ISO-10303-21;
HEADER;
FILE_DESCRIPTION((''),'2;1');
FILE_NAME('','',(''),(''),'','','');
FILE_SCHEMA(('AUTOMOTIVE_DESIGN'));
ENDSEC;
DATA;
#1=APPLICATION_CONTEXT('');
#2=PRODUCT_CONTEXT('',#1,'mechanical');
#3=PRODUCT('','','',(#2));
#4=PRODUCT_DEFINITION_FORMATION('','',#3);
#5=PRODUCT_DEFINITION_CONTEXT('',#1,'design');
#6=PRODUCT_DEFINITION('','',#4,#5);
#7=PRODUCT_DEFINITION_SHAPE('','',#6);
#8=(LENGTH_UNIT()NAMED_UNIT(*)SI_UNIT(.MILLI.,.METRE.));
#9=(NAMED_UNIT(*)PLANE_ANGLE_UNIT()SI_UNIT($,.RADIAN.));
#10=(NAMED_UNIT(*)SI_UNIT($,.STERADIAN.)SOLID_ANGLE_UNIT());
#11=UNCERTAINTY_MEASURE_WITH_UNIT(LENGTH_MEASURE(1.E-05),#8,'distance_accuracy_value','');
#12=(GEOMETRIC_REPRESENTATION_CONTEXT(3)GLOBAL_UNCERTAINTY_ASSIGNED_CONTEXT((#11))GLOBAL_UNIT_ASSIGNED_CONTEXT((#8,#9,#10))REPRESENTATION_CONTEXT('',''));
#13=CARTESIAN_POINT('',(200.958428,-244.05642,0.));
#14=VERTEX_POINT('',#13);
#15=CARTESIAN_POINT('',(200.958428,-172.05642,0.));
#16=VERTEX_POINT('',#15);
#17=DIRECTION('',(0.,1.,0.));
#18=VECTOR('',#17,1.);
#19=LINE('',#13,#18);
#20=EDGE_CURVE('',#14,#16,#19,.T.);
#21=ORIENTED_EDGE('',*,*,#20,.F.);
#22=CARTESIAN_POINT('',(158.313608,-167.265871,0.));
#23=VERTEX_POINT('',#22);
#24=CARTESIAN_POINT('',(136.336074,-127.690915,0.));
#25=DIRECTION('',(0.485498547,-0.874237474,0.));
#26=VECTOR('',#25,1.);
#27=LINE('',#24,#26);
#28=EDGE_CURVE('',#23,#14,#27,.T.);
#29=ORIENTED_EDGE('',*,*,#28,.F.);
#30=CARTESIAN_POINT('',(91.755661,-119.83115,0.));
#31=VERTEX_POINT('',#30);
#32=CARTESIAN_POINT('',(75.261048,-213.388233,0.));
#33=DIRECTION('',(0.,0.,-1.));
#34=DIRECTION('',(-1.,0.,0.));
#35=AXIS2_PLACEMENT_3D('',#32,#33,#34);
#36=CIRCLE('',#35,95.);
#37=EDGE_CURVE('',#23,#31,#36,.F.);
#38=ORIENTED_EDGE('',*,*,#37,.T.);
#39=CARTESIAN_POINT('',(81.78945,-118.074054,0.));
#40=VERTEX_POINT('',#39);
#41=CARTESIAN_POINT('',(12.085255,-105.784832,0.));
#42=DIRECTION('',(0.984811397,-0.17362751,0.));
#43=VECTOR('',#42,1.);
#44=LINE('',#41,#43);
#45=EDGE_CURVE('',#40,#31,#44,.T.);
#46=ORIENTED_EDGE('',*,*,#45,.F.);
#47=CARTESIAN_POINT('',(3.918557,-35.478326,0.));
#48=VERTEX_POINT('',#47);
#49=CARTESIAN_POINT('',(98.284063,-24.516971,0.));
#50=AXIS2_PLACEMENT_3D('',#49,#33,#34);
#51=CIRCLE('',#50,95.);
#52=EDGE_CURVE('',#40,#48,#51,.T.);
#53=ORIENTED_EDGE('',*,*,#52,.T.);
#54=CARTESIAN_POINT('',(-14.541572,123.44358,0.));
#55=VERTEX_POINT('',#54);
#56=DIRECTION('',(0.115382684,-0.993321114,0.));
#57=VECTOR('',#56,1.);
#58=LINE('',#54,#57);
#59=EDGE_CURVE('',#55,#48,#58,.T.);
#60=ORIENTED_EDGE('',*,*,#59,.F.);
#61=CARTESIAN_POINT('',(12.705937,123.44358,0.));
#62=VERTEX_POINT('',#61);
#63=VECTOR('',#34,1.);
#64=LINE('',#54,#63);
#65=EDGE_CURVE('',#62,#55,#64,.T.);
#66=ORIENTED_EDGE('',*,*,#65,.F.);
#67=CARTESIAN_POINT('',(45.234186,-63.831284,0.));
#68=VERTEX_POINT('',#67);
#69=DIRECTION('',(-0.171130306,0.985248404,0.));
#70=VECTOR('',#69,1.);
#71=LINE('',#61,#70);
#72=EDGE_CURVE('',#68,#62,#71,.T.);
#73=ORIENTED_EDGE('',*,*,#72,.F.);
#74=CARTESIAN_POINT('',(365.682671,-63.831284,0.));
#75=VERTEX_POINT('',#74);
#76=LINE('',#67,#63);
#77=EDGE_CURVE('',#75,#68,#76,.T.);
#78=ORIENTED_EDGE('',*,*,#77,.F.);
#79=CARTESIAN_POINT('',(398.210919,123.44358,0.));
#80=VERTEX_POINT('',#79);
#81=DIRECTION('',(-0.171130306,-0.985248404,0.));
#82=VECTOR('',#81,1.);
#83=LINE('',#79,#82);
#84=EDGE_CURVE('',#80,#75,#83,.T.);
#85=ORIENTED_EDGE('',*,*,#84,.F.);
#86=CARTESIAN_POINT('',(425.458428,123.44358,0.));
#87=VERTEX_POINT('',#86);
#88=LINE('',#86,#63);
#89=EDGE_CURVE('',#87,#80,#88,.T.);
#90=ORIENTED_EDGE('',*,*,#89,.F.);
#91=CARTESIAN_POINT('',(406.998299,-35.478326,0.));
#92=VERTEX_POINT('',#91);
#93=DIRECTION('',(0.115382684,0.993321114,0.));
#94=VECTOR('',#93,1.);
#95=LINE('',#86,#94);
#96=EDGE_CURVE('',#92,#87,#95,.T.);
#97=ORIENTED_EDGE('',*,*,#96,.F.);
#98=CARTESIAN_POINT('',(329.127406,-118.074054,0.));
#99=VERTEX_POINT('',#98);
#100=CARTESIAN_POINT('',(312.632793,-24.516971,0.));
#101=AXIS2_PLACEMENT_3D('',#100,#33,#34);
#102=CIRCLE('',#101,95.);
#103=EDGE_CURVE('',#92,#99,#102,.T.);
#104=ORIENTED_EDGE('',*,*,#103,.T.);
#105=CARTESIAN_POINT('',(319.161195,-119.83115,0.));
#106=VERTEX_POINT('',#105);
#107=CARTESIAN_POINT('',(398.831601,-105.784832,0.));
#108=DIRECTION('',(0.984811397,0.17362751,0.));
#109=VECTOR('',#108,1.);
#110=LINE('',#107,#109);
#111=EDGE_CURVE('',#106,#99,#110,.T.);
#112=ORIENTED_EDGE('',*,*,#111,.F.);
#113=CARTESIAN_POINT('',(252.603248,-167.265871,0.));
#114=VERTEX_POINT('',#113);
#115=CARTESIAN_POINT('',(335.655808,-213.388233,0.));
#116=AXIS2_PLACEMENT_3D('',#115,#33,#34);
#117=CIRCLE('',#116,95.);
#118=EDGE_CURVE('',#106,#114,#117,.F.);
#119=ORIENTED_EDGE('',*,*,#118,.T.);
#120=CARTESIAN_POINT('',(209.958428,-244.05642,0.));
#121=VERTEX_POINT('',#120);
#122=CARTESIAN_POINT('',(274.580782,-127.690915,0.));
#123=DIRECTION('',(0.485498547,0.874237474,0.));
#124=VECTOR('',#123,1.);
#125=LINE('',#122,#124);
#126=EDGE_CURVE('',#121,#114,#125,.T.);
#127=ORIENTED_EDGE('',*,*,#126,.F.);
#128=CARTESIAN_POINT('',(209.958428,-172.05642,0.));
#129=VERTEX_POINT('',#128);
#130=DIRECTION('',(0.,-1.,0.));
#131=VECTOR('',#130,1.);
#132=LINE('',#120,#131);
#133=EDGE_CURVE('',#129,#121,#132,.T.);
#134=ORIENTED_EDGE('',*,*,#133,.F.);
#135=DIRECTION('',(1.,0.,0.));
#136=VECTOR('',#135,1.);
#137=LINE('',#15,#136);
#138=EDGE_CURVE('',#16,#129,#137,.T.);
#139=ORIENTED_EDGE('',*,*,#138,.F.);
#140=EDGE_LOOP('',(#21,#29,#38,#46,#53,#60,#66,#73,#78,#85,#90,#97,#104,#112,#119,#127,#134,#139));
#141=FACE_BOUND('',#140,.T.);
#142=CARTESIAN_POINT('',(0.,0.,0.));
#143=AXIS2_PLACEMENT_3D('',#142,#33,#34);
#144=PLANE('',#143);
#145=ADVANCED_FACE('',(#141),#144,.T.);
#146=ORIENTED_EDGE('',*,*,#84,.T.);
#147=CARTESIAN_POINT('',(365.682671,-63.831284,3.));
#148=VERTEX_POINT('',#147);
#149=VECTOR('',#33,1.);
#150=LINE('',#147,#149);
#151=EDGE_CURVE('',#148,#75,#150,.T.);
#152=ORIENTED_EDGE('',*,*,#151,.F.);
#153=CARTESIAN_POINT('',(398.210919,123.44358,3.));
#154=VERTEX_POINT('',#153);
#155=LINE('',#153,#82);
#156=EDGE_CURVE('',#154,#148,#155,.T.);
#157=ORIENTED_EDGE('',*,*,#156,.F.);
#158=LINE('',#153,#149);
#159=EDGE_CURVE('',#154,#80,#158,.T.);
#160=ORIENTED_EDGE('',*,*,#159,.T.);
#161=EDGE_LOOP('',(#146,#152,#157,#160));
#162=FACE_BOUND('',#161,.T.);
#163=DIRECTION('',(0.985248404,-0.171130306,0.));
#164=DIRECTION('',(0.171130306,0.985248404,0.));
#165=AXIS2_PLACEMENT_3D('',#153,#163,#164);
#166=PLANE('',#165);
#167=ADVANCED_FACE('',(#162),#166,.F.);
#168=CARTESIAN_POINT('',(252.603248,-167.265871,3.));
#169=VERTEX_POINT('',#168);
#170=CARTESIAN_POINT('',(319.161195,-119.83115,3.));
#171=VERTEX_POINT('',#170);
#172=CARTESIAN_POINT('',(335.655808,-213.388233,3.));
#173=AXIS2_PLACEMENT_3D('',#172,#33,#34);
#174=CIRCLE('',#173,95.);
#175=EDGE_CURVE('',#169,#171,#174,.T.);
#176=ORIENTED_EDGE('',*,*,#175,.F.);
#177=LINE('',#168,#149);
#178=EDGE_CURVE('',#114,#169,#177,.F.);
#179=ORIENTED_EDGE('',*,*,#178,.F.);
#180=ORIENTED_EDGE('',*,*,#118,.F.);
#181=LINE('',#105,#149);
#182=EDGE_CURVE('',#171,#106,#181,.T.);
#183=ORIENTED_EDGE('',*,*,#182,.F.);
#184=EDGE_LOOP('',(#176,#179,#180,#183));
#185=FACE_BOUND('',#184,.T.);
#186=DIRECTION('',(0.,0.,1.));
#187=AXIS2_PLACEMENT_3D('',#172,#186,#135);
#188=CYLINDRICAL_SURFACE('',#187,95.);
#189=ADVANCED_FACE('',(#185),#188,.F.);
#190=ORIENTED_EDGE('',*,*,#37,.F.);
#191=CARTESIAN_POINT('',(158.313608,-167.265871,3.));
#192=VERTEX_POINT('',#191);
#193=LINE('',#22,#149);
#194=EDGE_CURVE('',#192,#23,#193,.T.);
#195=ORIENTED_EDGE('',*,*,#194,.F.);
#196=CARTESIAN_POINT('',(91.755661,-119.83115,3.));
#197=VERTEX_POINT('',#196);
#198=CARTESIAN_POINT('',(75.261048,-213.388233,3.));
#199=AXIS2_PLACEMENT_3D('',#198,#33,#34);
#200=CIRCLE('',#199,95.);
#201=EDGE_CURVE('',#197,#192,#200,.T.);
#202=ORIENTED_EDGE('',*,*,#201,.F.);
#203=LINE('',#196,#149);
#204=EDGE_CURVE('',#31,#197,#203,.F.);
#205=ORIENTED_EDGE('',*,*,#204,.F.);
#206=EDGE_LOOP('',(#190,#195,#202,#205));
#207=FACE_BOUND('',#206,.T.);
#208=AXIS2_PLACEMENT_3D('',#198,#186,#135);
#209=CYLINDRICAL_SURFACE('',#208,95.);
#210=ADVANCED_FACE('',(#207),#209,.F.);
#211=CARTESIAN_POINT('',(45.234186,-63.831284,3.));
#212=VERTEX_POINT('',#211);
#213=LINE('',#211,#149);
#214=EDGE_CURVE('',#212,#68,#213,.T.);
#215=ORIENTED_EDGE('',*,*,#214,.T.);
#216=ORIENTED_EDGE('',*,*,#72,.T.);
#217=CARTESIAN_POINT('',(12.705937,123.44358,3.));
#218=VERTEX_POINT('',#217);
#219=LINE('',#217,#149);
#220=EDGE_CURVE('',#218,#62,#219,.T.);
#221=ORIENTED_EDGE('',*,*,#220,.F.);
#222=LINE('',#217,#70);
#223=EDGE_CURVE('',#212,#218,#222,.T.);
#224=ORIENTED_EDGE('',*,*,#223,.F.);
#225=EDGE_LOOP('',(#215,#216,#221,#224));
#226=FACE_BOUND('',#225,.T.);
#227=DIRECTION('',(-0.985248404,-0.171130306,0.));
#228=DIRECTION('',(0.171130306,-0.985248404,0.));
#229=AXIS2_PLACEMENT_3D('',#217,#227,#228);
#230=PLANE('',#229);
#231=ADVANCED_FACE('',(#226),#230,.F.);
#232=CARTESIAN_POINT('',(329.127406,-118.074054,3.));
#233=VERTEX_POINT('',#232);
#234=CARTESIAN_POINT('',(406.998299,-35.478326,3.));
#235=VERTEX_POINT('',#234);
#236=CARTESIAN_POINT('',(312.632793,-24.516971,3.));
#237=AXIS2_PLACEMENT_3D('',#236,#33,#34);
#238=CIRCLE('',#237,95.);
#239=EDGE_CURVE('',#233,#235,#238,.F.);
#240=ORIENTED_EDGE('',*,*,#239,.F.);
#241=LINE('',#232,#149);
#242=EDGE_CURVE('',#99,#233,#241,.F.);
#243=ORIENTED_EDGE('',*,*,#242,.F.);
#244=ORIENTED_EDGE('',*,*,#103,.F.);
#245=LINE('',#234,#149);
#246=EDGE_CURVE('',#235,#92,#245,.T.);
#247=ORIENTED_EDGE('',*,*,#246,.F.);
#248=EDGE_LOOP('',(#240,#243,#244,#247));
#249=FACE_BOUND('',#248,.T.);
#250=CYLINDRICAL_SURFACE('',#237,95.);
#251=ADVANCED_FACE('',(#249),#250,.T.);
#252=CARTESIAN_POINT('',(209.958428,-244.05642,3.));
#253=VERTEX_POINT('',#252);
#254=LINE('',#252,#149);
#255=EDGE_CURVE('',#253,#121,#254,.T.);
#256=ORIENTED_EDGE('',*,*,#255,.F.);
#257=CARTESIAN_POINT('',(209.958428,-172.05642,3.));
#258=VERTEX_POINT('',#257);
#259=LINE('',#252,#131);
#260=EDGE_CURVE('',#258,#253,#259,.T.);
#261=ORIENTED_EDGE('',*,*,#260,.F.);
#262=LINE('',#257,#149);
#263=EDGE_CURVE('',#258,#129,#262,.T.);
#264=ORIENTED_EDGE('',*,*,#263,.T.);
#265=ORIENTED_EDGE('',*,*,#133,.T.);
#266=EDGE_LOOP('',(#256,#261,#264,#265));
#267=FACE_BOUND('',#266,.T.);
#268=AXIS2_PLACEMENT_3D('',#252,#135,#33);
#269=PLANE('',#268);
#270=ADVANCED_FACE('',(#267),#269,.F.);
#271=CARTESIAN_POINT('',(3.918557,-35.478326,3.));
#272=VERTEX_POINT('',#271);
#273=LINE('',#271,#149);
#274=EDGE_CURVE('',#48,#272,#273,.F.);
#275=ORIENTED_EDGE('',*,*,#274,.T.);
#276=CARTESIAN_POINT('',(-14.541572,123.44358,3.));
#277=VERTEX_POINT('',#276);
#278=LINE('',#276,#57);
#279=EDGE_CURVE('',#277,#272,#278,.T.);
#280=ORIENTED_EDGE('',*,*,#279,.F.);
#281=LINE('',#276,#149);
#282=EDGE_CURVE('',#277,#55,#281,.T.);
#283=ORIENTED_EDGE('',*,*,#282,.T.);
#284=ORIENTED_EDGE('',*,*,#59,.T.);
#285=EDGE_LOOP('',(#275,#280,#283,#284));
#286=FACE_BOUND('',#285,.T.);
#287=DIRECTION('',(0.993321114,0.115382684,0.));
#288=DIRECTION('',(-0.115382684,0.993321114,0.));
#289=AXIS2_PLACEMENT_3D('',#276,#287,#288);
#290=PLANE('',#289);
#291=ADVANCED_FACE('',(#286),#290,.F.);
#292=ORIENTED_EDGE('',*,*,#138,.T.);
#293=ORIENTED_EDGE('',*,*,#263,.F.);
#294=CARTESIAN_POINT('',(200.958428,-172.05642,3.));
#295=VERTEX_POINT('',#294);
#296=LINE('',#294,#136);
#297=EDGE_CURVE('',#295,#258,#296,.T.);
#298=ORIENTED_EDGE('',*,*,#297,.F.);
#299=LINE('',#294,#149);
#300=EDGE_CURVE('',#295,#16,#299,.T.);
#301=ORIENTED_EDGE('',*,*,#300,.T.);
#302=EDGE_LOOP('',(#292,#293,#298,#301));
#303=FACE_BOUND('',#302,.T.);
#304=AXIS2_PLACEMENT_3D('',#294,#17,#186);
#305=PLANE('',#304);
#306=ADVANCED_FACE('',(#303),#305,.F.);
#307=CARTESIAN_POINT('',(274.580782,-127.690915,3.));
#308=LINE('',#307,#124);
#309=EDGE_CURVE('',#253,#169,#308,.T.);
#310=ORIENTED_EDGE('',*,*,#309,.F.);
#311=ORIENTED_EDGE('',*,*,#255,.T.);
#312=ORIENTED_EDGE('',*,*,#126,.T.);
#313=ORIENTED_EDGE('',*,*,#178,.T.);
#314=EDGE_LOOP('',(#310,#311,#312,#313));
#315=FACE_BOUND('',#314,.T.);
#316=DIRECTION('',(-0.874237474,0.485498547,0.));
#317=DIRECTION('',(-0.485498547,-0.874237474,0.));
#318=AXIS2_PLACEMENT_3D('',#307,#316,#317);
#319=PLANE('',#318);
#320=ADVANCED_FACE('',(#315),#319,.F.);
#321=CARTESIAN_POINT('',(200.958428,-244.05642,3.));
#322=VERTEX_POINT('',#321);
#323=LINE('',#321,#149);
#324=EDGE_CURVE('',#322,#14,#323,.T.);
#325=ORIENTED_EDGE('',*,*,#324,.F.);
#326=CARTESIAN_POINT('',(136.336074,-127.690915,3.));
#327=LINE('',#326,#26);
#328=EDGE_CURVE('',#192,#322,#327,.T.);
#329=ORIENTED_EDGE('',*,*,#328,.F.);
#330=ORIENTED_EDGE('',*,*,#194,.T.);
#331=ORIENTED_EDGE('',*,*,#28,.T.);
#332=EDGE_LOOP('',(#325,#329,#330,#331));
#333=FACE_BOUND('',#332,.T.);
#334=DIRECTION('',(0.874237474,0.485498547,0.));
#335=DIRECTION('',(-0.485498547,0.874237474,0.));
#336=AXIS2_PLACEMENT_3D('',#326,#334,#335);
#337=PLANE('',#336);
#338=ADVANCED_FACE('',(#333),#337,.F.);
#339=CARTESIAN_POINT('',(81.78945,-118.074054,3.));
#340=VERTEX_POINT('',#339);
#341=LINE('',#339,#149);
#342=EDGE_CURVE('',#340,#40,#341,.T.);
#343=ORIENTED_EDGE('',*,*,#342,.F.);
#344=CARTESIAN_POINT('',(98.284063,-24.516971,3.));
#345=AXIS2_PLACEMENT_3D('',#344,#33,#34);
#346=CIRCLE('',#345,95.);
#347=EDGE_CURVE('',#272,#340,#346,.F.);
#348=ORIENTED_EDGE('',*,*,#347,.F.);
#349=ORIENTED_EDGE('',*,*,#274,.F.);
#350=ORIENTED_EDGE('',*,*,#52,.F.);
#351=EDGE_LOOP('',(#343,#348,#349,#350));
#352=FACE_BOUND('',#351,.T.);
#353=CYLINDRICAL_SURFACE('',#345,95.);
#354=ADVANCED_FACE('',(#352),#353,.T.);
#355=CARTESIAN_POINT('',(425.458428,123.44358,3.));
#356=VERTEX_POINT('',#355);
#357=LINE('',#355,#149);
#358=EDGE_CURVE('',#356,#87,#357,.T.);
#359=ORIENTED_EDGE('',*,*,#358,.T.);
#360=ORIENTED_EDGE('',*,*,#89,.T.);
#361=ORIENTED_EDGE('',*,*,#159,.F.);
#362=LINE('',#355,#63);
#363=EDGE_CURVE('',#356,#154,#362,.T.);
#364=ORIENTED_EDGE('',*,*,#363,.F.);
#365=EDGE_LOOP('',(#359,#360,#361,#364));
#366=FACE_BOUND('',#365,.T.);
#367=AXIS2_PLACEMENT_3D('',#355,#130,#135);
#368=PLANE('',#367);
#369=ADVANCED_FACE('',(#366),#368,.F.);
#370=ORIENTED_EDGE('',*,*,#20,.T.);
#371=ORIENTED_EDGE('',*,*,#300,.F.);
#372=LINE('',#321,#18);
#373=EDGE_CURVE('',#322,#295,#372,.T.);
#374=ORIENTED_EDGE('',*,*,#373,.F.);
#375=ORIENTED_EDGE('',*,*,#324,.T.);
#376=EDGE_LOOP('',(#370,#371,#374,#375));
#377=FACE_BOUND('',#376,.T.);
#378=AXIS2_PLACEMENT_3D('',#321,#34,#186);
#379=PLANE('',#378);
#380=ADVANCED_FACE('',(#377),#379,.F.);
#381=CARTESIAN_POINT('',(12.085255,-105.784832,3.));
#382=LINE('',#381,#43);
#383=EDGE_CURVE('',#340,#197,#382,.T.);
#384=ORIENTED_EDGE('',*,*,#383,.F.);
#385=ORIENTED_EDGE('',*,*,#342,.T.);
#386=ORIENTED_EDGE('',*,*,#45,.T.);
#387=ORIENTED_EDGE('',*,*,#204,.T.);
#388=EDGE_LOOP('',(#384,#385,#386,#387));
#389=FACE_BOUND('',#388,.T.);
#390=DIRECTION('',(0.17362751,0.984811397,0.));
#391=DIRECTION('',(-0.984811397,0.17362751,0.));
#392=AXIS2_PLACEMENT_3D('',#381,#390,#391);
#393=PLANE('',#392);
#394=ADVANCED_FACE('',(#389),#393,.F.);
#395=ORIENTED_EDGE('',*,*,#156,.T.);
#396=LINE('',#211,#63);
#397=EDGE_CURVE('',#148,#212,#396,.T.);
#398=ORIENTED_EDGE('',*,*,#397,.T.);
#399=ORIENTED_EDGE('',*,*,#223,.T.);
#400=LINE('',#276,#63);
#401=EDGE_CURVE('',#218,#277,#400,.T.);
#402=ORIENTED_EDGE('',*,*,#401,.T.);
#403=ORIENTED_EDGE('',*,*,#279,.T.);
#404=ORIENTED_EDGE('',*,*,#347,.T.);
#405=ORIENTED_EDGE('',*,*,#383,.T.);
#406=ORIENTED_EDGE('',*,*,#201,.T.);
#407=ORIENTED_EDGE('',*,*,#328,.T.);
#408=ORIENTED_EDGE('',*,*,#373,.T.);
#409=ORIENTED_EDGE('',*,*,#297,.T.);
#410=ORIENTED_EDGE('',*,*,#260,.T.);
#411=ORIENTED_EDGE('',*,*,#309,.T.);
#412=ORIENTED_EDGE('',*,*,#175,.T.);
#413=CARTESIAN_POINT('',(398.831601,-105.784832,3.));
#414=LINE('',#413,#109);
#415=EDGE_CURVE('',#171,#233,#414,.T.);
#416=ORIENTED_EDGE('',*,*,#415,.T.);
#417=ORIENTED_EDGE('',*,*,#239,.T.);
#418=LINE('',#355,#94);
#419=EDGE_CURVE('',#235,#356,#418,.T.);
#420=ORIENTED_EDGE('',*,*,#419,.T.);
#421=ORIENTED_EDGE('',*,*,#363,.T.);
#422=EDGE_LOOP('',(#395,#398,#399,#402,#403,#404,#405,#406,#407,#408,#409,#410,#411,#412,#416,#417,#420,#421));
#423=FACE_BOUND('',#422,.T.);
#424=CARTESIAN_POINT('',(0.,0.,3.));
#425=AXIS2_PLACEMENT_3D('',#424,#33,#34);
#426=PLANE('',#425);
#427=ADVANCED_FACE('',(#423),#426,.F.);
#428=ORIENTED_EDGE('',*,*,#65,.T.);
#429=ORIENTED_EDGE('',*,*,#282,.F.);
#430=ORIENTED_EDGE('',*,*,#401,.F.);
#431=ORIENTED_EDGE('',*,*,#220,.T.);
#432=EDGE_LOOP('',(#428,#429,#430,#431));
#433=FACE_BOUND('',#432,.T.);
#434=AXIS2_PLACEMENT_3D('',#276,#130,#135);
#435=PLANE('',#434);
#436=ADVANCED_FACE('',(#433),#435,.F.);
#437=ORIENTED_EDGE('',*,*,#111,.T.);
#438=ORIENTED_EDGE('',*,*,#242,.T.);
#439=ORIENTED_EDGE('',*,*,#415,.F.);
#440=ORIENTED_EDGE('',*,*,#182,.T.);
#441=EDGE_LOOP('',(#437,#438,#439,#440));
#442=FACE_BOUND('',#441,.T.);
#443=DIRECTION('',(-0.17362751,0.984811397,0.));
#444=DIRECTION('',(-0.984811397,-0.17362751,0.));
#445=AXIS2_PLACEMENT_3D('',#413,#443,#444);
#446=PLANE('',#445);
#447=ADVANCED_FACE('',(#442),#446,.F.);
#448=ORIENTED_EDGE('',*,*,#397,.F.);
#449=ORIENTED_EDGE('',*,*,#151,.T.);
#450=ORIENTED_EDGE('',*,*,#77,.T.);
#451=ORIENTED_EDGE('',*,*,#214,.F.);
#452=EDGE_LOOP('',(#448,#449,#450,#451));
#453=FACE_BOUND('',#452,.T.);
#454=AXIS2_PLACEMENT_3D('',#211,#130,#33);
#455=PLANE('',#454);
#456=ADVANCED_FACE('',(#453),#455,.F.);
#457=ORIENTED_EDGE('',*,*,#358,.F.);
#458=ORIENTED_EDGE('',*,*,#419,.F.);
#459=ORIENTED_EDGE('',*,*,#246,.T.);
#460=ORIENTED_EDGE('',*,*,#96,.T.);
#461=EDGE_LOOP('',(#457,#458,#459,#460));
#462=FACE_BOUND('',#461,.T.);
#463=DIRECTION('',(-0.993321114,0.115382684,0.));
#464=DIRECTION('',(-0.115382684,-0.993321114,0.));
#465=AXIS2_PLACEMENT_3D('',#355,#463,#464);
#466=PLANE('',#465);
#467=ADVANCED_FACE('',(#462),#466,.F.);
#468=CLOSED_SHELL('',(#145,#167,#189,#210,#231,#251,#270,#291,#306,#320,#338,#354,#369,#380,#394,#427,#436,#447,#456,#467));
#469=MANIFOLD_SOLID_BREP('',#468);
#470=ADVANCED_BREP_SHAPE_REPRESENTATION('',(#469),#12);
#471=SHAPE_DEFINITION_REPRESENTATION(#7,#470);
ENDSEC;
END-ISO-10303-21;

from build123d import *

# Parameters (mm, degrees)
BOSS_EXTRU_3_DEPTH = 3
CONG_1_R           = 95


with BuildPart() as part:
    # Esquisse3 → Boss.-Extru.3 (new body)
    with BuildSketch(Plane.XY):
        Polygon((12.705937195, 123.443580448), (45.234185685, -63.831284152), (365.68267058, -63.831284152), (398.21091907, 123.443580448), (425.458428133, 123.443580448), (398.831601009, -105.784832074), (274.58078198, -127.690915139), (209.958428133, -244.056419552), (209.958428133, -172.056419552), (200.958428133, -172.056419552), (200.958428133, -244.056419552), (136.336074285, -127.690915139), (12.085255256, -105.784832074), (-14.541571867, 123.443580448), align=None)
    extrude(amount=BOSS_EXTRU_3_DEPTH)

    # Congé1
    cong_1_edges = [part.edges().sort_by_distance(p)[0] for p in [
        (136.336074285, -127.690915139, 1.5),
        (12.085255256, -105.784832074, 1.5),
        (398.831601009, -105.784832074, 1.5),
        (274.58078198, -127.690915139, 1.5),
    ]]
    fillet(cong_1_edges, radius=CONG_1_R)


solid = part.part
